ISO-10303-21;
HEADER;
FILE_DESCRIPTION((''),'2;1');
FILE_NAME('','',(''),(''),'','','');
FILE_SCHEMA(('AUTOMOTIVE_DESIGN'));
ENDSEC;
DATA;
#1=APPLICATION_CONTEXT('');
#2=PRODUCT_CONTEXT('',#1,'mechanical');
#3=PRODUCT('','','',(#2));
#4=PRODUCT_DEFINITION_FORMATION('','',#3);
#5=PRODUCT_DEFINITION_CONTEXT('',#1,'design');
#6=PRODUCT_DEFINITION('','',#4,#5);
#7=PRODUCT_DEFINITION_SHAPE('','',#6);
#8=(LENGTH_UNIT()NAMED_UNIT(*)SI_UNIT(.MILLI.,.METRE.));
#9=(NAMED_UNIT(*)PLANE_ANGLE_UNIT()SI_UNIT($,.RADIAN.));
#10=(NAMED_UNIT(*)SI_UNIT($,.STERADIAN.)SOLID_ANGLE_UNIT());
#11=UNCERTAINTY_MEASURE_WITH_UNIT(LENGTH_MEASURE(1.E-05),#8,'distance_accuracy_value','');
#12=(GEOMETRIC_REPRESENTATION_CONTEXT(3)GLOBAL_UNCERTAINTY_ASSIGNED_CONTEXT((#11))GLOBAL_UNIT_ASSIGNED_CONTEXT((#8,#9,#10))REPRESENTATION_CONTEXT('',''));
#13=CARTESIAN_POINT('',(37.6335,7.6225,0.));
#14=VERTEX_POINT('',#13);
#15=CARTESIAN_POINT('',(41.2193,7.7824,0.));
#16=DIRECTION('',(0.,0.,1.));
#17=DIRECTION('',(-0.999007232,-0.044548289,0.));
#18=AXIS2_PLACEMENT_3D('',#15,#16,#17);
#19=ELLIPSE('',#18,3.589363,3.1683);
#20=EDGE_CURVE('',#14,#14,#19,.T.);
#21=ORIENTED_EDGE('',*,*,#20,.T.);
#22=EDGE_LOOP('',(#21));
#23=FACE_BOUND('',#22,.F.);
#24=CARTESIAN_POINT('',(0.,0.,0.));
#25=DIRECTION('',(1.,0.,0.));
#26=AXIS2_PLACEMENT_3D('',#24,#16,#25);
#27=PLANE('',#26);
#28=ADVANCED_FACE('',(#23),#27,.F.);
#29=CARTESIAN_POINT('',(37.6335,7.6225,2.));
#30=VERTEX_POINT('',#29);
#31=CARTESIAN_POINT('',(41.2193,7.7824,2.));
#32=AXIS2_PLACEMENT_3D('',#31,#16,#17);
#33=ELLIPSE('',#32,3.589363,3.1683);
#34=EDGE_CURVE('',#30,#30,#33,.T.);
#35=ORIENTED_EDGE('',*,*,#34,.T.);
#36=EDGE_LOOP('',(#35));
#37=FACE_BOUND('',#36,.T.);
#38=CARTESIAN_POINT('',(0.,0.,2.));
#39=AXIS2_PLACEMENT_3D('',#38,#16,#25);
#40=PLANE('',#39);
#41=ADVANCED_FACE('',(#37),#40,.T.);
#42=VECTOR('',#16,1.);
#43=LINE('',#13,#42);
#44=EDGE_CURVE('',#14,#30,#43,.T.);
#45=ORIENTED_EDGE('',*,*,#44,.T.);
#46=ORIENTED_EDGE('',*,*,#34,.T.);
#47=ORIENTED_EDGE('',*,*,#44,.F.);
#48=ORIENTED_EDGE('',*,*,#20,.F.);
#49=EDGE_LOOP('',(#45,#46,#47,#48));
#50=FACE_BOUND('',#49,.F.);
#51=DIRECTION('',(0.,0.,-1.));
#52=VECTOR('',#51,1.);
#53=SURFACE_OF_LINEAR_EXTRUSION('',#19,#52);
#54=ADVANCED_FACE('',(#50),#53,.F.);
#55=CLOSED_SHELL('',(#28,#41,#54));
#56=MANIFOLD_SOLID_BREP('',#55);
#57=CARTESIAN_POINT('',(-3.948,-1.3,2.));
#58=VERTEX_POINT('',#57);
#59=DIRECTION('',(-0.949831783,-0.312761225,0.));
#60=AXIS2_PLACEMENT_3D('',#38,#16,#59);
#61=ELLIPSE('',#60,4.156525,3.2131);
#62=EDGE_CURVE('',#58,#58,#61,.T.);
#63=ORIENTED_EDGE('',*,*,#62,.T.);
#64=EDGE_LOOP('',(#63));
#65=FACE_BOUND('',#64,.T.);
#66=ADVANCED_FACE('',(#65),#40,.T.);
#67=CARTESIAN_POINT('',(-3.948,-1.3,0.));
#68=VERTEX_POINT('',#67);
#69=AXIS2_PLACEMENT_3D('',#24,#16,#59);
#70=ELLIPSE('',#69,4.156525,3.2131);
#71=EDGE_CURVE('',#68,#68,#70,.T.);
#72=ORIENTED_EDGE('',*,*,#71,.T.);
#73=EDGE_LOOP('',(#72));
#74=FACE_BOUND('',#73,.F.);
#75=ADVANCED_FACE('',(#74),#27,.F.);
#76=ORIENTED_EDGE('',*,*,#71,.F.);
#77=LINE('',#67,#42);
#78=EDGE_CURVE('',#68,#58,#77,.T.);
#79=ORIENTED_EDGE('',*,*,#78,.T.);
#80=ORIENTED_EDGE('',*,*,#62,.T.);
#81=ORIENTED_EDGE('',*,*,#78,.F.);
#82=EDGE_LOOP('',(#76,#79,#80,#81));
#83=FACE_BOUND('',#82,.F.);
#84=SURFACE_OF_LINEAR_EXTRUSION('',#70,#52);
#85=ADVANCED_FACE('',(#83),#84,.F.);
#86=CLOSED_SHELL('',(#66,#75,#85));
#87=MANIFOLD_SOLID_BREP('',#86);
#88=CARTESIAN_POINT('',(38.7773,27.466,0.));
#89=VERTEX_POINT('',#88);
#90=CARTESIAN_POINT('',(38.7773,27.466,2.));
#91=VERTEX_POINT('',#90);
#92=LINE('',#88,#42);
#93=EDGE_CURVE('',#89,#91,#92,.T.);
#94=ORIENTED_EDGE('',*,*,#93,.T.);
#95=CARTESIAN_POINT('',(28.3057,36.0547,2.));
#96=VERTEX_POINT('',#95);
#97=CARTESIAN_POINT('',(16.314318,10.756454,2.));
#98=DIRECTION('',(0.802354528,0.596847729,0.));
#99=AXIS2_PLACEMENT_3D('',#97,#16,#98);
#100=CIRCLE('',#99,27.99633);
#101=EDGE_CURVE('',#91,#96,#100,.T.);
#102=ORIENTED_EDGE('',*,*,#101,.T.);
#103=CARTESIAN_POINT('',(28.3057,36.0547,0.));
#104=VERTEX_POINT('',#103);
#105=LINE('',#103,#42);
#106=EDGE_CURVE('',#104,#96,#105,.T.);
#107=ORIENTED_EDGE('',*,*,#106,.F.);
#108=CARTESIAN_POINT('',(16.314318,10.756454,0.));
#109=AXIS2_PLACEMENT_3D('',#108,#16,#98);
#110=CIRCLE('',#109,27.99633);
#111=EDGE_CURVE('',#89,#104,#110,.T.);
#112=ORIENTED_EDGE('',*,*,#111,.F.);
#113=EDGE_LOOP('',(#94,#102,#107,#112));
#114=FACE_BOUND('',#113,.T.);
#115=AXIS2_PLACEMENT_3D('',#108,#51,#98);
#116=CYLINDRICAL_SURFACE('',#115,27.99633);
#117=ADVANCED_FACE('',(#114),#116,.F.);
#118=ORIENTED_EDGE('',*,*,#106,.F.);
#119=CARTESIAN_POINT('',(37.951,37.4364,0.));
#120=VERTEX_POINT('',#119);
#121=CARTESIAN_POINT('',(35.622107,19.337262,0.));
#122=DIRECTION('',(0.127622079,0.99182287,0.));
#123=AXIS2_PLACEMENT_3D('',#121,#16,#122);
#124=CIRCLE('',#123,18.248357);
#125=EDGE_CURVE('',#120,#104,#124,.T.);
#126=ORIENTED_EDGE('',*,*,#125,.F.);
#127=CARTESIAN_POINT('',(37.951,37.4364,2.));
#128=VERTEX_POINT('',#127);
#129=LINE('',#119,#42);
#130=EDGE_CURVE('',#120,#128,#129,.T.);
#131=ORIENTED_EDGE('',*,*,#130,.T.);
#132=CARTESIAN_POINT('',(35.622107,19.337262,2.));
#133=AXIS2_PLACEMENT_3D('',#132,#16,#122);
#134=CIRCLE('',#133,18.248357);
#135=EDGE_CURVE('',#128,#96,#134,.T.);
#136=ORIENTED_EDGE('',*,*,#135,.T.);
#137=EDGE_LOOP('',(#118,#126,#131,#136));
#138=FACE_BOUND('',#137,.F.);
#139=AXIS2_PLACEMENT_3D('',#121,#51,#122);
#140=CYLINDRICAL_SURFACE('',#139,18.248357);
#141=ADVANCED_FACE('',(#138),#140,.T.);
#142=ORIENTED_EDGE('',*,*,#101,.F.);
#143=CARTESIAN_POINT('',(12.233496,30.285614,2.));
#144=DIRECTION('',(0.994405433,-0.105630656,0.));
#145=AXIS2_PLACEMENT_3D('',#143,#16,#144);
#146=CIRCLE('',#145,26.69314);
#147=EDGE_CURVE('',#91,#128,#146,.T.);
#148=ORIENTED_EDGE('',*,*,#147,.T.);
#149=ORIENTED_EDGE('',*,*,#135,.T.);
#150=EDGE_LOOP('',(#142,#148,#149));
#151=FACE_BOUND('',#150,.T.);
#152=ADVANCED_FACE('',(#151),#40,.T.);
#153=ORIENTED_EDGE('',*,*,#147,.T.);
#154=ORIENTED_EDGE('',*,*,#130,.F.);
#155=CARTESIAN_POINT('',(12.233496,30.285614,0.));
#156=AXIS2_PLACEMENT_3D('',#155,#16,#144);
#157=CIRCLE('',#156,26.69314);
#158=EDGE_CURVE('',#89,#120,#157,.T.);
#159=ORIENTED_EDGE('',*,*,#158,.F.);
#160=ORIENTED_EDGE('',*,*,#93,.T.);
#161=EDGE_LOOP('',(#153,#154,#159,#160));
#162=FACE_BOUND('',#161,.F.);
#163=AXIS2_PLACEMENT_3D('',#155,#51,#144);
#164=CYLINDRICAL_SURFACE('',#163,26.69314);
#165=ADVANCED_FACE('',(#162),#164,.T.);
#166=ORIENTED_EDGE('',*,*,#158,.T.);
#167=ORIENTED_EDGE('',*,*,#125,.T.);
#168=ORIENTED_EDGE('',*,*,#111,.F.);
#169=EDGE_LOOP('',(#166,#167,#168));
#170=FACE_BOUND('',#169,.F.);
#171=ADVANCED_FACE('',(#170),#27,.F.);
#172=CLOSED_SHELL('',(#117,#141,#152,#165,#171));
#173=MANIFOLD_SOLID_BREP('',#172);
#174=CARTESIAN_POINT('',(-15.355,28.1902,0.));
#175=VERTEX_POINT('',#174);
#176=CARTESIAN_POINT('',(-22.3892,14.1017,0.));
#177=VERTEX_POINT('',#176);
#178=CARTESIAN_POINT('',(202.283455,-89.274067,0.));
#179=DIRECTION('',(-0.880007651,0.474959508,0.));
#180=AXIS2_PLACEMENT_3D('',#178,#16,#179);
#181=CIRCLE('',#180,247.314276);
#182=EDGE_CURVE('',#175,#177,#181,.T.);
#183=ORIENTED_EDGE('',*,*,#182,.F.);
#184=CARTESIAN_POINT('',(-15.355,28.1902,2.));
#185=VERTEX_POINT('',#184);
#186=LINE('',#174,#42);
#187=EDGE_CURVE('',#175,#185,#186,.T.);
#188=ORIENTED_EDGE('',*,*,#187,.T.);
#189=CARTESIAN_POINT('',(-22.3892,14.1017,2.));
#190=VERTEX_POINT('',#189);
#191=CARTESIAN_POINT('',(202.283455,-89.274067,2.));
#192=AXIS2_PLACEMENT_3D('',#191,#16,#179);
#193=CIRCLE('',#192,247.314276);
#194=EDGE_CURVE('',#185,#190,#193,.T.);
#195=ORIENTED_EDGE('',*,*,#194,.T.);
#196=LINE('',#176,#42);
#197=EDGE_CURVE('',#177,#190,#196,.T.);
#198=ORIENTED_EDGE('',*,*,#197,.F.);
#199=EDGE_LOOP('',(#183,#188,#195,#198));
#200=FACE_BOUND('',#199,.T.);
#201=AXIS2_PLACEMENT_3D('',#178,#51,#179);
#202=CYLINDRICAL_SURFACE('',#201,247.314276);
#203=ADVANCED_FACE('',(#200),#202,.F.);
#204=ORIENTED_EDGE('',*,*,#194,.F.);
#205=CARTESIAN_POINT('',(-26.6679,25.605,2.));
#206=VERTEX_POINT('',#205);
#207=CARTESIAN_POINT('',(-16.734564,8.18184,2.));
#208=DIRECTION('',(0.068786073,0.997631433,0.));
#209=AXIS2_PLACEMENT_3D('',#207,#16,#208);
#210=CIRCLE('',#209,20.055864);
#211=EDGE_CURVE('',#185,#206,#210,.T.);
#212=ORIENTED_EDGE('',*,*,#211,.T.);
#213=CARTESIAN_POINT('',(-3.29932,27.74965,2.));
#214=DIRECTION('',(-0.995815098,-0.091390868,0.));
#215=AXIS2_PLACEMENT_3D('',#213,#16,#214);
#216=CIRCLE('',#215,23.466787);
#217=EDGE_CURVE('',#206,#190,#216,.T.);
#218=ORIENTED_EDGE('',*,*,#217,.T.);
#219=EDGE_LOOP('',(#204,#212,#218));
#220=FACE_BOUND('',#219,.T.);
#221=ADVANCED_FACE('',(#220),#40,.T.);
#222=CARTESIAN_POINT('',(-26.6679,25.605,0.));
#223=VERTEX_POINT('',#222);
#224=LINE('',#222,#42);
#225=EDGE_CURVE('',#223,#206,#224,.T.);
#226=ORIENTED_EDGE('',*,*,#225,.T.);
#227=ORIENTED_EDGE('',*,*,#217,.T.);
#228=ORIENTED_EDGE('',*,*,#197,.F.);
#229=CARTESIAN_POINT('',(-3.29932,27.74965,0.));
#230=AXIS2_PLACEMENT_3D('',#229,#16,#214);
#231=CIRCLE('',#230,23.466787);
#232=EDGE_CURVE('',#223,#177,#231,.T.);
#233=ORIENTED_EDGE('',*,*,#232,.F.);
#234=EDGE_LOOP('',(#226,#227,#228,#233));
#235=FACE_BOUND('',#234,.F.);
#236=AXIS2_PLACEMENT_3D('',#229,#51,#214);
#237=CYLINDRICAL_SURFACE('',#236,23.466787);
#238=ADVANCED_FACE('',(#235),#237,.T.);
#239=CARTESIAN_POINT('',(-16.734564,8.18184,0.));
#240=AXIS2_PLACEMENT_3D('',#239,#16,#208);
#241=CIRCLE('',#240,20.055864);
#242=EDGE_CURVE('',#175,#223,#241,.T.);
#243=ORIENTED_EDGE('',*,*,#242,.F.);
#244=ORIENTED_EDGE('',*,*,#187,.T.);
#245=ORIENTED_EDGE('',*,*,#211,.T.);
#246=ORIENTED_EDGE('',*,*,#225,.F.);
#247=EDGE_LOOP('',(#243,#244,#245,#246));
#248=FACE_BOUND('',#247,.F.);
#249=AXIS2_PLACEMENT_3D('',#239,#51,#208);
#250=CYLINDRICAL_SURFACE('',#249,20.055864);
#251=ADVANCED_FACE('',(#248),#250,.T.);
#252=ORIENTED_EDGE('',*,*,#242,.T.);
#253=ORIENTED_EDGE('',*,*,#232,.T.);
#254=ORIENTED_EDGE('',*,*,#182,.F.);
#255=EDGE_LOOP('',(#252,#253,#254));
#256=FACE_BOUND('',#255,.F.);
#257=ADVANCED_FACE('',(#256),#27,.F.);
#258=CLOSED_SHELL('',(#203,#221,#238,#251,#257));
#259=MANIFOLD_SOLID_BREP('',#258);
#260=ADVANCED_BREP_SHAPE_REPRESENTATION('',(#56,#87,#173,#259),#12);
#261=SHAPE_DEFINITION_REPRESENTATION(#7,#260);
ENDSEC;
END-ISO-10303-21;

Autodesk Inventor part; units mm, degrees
ref_plane "YZ Plane" through (0, 0, 0) normal (1, 0, 0) x (0, 1, 0)
ref_plane "XZ Plane" through (0, 0, 0) normal (0, 1, 0) x (-1, 0, 0)
ref_plane "XY Plane" through (0, 0, 0) normal (0, 0, 1) x (1, 0, 0)
sketch "Sketch1" plane through (0, 0, 0) normal (0, 0, 1) x (1, 0, 0)
  arc A0 (39.4707, -22.8264) -> (44.1913, -18.1315) centre (29.9144, -8.4969) ccw projected
  arc A1 (44.1913, -18.1315) -> (43.1493, -16.8575) centre (-1.7028, -54.6052) ccw projected
  line L0 (39.4808, -21.8264) -> (5.243, -21.8264) projected
  arc A2 (5.243, -21.8264) -> (4.9829, -20.5171) centre (3.1145, -21.5688) ccw projected
  arc A3 (4.9829, -20.5171) -> (7.1052, -17.9527) centre (4.0499, -17.5844) ccw projected
  arc A4 (7.1052, -17.9527) -> (35.9599, -11.4954) centre (11.3687, 30.6937) ccw projected
  arc A5 (43.1493, -16.8575) -> (46.7596, -12.3801) centre (22.9538, 3.1213) ccw projected
  arc A6 (37.9906, -11.4185) -> (42.4917, -16.1906) centre (50.7047, -3.9352) ccw projected
  arc A7 (37.9906, -11.4185) -> (40.4851, -9.7622) centre (30.9595, 1.8767) ccw projected
  arc A8 (44.5875, -12.9722) -> (40.4851, -9.7622) centre (42.1356, -11.8793) ccw projected
  arc A9 (46.7596, -12.3801) -> (45.5083, -8.9416) centre (44.5544, -11.2357) ccw projected
  arc A10 (44.6424, -5.9416) -> (45.5083, -8.9416) centre (46.2763, -7.0949) ccw projected
  arc A11 (44.6424, -5.9416) -> (44.0119, 11.0781) centre (33.1722, 2.155) ccw projected
  arc A12 (44.0119, 11.0781) -> (39.7722, 25.0886) centre (15.7574, 10.1749) ccw projected
  arc A13 (39.7722, 25.0886) -> (38.7065, 38.8808) centre (8.3038, 29.5944) ccw projected
  arc A14 (38.7065, 38.8808) -> (25.3942, 36.764) centre (35.104, 18.6189) ccw projected
  arc A15 (25.3942, 36.764) -> (-13.8323, 30.1524) centre (11.651, -1.3685) ccw projected
  arc A16 (-13.8323, 30.1524) -> (-28.7918, 26.8989) centre (-15.8151, 3.2509) ccw projected
  arc A17 (-28.7918, 26.8989) -> (-24.9989, 11.3281) centre (26.001, 31.9986) ccw projected
  arc A18 (-24.9989, 11.3281) -> (-21.9925, -9.8739) centre (11.0237, 5.6218) ccw projected
  arc A19 (-21.9925, -9.8739) -> (-9.9108, -18.9877) centre (-5.532, -0.6178) ccw projected
  arc A20 (-9.9108, -18.9877) -> (-9.9382, -22.8264) centre (-3.5885, -20.9522) ccw projected
  line L1 (-36.0285, -22.8264) -> (-9.9382, -22.8264) projected
  arc A21 (-36.0285, -22.8264) -> (-40.0285, -26.8264) centre (-36.0285, -26.8264) ccw projected
  line L2 (-40.0285, -131.8264) -> (-40.0285, -26.8264) projected
  arc A22 (-40.0285, -131.8264) -> (-36.0285, -135.8264) centre (-36.0285, -131.8264) ccw projected
  line L3 (101.1727, -135.8264) -> (-36.0285, -135.8264) projected
  line L4 (101.1727, -127.8248) -> (101.1727, -135.8264) projected
  line L5 (-30.6035, -127.8248) -> (101.1727, -127.8248) projected
  arc A23 (-32.6035, -125.8248) -> (-30.6035, -127.8248) centre (-30.6035, -125.8248) ccw projected
  line L6 (-32.6035, -32.8264) -> (-32.6035, -125.8248) projected
  arc A24 (-30.6035, -30.8264) -> (-32.6035, -32.8264) centre (-30.6035, -32.8264) ccw projected
  line L7 (101.1727, -30.8264) -> (-30.6035, -30.8264) projected
  line L8 (101.1727, -22.8264) -> (101.1727, -30.8264) projected
  line L9 (39.4707, -22.8264) -> (101.1727, -22.8264) projected
  arc A25 (18.7696, 4.6569) -> (17.7037, 4.7458) centre (18.2404, 4.7458) ccw projected
  arc A26 (18.7696, 4.6569) -> (18.909, 4.2605) centre (19.3843, 4.6504) ccw projected
  arc A27 (18.909, 4.2605) -> (20.5255, 4.6689) centre (19.5973, 4.9394) ccw projected
  arc A28 (22.3746, 4.7458) -> (20.5255, 4.6689) centre (21.468, 4.2743) ccw projected
  arc A29 (22.3746, 4.7458) -> (23.8239, 5.6218) centre (22.9311, 5.4619) ccw projected
  arc A30 (24.9097, 5.9816) -> (23.8239, 5.6218) centre (24.3471, 5.8612) ccw projected
  arc A31 (21.4025, 4.0439) -> (24.9097, 5.9816) centre (22.9819, 5.328) ccw projected
  arc A32 (17.7037, 4.7458) -> (21.4025, 4.0439) centre (19.5995, 4.6393) ccw projected
  arc A33 (38.9434, 27.1055) -> (27.9206, 36.1462) centre (15.299, 9.5172) ccw projected
  arc A34 (38.0735, 37.6007) -> (27.9206, 36.1462) centre (35.6221, 18.5499) ccw projected
  arc A35 (38.9434, 27.1055) -> (38.0735, 37.6007) centre (11.0038, 30.0735) ccw projected
  line L10 (0.8426, -21.8264) -> (-9.2354, -21.8264) projected
  arc A36 (-0.9, -12.3459) -> (-7.4967, -15.4462) centre (1.4985, -26.0176) ccw projected
  arc A37 (3.3173, -20.9522) -> (-0.9, -12.3459) centre (-13.3261, -23.7716) ccw projected
  arc A38 (3.3173, -20.9522) -> (0.8426, -21.8264) centre (10.6872, -45.7558) ccw projected
  circle A39 centre (33.1722, 9.6232) radius 3.1762 projected
  circle A40 centre (8.3038, 4.7458) radius 3.3209 projected
  arc A41 (-14.9985, 28.4852) -> (-22.4029, 13.6552) centre (214.1169, -95.1731) ccw projected
  arc A42 (-26.9068, 25.7639) -> (-22.4029, 13.6552) centre (-2.3081, 28.0214) ccw projected
  arc A43 (-14.9985, 28.4852) -> (-26.9068, 25.7639) centre (-16.4507, 7.4242) ccw projected
  arc A44 (4.5384, -18.7873) -> (1.4985, -12.8876) centre (3.1669, -15.761) ccw projected
  arc A45 (4.5384, -18.7873) -> (1.4985, -12.8876) centre (-6.3378, -20.6585) ccw projected
  ellipse E0 centre (41.2193, 7.7824) end of major axis (44.9987, 7.7824) minor radius 3.3363 projected
  ellipse E1 centre (0, 0) end of major axis (4.2825, 0.9624) minor radius 3.3846 projected
  ellipse E2 centre (41.2193, 7.7824) end of major axis (37.6335, 7.6225) minor radius 3.1683
  ellipse E3 centre (0, 0) end of major axis (-3.948, -1.3) minor radius 3.2131
  arc A46 (38.7773, 27.466) -> (28.3057, 36.0547) centre (16.3151, 10.7572) ccw
  arc A47 (38.7773, 27.466) -> (37.951, 37.4364) centre (12.2347, 30.2856) ccw
  arc A48 (37.951, 37.4364) -> (28.3057, 36.0547) centre (35.6221, 19.3382) ccw
  arc A49 (-15.355, 28.1902) -> (-26.6679, 25.605) centre (-16.7346, 8.1823) ccw
  arc A50 (-26.6679, 25.605) -> (-22.3892, 14.1017) centre (-3.2991, 27.7497) ccw
  arc A51 (-15.355, 28.1902) -> (-22.3892, 14.1017) centre (202.3047, -89.2851) ccw
  arc A52 (42.4917, -16.1906) -> (44.5875, -12.9722) centre (34.8579, -8.9279) ccw projected
  arc A53 (35.9599, -11.4954) -> (42.2286, -18.7873) centre (49.0814, -6.5556) ccw projected
  arc A54 (39.4808, -21.8264) -> (42.2286, -18.7873) centre (23.3805, -4.507) ccw projected
  arc A55 (-7.4967, -15.4462) -> (-9.2354, -21.8264) centre (-3.1993, -20.0443) ccw projected
  point P0 (35.6221, 34.316)
  point P1 (-22.1282, 22.5866)
extrude "Extrusion1" add sketch "Sketch1" along normal blind 2 contours E2 | E3 | A46 A48 A47 | A51 A50 A49
properties part number "CheeksEarsGoma"
